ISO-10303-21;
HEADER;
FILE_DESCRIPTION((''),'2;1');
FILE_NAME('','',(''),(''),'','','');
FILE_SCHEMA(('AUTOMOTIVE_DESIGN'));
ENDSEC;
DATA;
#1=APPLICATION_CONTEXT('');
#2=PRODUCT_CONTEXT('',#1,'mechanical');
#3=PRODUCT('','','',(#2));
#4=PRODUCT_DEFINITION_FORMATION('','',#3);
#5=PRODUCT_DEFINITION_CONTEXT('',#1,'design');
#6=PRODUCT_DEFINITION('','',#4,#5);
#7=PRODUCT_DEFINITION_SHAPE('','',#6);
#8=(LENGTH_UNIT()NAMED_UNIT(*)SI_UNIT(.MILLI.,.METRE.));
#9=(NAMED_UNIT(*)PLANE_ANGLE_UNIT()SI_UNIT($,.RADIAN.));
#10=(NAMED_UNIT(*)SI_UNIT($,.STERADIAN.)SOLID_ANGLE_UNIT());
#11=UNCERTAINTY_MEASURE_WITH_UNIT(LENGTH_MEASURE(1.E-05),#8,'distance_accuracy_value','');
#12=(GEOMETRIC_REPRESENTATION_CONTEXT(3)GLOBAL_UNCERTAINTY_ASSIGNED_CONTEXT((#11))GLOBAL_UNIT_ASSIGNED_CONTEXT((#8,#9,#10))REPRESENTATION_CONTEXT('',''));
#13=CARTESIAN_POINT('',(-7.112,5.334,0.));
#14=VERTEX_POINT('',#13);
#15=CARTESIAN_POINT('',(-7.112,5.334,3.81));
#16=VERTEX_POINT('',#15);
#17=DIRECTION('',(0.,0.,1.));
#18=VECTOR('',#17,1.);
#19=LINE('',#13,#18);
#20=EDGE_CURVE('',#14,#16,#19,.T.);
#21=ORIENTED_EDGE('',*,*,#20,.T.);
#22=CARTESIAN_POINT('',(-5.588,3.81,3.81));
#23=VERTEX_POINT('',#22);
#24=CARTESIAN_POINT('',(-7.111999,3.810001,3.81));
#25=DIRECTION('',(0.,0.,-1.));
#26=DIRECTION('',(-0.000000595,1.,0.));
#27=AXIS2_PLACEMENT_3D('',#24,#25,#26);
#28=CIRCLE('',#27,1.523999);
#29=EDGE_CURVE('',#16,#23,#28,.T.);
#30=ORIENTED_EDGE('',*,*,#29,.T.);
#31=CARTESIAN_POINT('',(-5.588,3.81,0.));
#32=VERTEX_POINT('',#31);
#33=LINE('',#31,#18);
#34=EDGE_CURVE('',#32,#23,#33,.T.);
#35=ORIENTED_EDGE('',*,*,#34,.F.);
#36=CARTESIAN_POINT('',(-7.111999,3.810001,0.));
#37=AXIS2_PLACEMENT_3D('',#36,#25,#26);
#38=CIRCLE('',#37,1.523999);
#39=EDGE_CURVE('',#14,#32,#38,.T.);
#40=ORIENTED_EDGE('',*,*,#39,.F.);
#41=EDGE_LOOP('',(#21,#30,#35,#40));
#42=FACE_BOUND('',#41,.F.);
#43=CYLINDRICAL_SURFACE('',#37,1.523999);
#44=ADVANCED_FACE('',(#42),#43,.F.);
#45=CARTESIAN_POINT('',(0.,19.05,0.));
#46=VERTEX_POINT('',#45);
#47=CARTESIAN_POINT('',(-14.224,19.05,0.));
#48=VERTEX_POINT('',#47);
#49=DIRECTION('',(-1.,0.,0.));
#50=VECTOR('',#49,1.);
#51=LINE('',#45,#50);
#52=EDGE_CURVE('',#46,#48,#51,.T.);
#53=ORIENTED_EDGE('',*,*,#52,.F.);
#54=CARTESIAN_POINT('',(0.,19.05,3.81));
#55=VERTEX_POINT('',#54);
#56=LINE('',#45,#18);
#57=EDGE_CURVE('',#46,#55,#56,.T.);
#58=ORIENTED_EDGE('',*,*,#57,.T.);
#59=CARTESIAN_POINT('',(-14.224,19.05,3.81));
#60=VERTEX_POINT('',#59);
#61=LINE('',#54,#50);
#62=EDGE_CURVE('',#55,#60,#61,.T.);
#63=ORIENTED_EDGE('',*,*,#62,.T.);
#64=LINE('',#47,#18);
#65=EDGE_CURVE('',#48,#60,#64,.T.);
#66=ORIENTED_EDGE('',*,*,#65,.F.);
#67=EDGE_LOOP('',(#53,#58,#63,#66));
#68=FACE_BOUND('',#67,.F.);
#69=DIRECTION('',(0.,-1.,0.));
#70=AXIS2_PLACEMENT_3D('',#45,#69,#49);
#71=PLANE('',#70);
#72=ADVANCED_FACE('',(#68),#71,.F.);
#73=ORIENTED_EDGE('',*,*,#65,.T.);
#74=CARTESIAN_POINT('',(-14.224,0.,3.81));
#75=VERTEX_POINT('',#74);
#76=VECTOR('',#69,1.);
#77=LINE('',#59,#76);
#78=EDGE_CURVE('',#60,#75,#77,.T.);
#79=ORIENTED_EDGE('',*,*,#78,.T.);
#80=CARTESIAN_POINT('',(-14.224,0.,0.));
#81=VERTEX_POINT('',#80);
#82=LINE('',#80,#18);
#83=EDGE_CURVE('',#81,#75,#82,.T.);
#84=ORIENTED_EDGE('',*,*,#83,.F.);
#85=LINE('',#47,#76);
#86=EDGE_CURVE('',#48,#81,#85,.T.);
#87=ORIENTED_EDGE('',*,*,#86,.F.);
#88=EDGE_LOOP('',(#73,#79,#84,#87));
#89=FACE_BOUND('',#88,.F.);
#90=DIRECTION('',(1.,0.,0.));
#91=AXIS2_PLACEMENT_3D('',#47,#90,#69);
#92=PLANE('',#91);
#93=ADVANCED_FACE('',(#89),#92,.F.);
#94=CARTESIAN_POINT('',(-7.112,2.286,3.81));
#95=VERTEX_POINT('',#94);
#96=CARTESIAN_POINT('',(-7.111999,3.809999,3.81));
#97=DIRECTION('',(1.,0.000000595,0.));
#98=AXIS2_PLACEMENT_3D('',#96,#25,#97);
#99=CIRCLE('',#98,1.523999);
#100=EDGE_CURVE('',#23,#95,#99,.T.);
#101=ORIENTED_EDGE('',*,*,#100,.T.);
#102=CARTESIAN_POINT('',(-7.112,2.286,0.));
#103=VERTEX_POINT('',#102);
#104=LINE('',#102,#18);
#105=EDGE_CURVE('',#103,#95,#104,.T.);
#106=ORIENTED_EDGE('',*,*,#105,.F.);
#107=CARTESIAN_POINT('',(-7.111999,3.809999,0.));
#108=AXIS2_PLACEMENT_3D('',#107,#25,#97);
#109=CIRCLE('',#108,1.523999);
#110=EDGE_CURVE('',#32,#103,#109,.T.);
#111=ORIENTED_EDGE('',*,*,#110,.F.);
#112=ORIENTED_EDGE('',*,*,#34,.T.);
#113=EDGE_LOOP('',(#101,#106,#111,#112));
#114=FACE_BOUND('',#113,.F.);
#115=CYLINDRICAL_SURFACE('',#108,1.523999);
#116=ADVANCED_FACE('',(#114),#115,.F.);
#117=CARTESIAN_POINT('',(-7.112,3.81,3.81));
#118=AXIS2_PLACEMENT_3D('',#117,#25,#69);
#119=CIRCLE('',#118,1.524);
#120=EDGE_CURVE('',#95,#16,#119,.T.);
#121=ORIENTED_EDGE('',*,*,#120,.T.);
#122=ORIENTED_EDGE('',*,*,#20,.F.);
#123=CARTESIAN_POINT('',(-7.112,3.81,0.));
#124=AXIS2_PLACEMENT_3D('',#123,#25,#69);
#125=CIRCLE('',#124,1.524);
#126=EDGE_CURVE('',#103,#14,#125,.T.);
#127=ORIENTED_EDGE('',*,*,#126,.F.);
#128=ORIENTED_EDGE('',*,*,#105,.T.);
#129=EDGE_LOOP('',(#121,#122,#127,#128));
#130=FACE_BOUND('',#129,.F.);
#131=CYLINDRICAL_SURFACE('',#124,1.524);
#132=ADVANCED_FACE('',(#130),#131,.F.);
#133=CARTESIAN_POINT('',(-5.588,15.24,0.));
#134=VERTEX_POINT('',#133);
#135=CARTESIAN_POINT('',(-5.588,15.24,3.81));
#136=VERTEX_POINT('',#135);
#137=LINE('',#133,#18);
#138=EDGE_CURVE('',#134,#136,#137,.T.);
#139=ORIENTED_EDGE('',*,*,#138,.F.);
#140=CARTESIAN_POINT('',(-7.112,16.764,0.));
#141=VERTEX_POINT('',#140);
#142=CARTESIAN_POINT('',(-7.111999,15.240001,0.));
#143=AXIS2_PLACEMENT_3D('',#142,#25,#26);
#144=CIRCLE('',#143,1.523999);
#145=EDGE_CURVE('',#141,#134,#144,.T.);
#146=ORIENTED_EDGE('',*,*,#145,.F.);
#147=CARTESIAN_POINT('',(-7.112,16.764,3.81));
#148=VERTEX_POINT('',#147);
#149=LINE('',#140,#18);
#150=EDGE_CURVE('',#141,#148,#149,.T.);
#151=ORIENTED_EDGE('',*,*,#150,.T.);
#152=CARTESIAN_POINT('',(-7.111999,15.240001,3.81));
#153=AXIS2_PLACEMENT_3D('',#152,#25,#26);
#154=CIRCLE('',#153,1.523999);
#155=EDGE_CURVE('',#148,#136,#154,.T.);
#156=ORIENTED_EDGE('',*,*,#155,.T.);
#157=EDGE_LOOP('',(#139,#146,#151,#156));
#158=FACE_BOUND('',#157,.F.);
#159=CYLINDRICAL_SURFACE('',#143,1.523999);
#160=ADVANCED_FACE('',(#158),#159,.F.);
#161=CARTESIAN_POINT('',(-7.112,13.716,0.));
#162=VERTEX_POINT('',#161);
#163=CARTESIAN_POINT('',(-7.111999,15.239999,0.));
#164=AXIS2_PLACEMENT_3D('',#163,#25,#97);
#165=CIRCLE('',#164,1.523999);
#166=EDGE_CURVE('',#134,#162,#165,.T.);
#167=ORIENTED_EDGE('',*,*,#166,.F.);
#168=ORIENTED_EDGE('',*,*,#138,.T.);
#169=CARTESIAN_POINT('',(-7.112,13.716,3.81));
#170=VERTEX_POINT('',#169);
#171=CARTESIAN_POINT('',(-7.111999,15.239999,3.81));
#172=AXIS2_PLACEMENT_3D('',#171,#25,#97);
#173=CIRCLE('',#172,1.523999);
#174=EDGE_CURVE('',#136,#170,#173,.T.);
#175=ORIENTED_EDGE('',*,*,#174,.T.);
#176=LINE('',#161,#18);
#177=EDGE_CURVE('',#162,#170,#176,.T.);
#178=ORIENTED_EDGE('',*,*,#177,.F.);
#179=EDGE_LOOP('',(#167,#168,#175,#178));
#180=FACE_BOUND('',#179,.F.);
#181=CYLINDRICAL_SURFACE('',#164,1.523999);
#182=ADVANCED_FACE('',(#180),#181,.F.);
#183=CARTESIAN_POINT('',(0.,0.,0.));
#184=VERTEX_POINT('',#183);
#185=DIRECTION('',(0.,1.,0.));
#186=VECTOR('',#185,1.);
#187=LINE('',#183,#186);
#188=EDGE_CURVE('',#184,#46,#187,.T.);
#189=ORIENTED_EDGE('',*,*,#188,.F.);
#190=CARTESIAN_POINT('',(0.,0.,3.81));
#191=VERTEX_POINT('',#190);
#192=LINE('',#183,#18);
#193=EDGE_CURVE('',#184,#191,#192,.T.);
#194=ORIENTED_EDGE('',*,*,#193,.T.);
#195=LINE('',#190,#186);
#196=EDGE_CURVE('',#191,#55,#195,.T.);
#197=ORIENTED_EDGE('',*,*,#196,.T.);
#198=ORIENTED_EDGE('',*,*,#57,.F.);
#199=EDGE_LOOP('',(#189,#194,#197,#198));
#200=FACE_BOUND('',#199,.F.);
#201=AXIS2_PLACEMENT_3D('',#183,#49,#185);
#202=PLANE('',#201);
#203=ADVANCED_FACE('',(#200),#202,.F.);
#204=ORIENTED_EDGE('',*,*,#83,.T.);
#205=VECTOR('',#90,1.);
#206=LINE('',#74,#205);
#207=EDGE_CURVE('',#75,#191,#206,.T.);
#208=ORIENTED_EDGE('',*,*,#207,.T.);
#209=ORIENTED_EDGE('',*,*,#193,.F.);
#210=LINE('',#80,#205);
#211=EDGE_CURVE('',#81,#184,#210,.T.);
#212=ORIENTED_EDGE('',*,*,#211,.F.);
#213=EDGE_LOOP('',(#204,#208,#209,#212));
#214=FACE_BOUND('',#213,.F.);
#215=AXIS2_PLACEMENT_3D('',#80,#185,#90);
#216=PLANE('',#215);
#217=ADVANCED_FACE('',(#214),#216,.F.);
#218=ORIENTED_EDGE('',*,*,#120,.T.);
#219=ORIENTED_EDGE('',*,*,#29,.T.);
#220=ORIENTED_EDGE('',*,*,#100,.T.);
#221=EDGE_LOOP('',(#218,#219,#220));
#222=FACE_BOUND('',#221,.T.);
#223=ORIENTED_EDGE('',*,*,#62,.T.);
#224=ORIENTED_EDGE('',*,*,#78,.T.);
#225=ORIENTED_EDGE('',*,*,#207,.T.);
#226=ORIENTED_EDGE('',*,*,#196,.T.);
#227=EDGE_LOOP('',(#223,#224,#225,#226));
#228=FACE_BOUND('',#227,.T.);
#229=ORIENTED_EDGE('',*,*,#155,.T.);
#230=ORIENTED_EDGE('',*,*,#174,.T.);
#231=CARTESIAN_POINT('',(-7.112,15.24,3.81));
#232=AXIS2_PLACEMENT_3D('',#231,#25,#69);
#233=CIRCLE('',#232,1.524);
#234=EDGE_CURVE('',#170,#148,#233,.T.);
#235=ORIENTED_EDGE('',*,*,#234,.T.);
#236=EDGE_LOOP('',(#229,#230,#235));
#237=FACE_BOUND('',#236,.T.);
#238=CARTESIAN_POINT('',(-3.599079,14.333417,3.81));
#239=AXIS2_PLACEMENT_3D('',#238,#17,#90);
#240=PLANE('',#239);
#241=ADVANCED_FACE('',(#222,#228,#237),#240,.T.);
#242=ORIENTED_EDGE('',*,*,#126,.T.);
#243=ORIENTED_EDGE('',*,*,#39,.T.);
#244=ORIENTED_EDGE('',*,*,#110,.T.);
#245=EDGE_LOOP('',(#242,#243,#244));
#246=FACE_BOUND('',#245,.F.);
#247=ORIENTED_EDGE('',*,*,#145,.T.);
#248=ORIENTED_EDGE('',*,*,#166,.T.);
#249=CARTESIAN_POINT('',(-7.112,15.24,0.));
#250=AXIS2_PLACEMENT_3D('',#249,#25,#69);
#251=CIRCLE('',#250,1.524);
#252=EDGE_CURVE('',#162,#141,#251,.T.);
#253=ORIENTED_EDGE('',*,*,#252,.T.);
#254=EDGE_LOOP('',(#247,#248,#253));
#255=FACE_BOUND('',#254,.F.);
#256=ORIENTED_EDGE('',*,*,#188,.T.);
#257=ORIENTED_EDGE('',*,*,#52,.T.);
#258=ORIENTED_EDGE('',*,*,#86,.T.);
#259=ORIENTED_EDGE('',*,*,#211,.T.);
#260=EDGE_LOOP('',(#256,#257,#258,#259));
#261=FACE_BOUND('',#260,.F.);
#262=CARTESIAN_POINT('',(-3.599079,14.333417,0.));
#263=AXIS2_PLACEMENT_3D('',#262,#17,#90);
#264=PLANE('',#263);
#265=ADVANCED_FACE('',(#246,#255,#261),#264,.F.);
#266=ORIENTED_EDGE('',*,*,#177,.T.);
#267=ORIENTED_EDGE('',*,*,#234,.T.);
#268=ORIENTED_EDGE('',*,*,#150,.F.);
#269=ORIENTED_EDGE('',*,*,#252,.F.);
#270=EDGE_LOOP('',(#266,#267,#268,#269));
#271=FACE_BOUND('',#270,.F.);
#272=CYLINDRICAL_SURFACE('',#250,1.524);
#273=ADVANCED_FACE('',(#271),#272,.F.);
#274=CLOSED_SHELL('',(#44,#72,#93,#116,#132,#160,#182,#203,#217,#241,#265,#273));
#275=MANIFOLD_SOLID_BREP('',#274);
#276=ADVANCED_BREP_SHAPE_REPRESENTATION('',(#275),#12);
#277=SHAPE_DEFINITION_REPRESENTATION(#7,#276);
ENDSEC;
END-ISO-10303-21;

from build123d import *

# Parameters (mm, degrees)
F1_DEPTH = 3.81


with BuildPart() as f1:
    # F0 (on Top) → F1 (new body)
    with BuildSketch(Plane.XY):
        with BuildLine():
            Line((-7.112, 9.525), (0, 9.525))
            Line((0, 9.525), (0, 19.05))
            Line((0, 19.05), (-7.112, 19.05))
            Line((-7.112, 19.05), (-7.112, 16.764))
            ThreePointArc((-7.112, 16.764), (-6.034369, 16.317631), (-5.588, 15.24))
            ThreePointArc((-5.588, 15.24), (-6.034369, 14.162369), (-7.112, 13.716))
            Line((-7.112, 13.716), (-7.112, 9.525))
        make_face()
        with BuildLine():
            Line((-14.224, 0), (-7.112, 0))
            Line((-7.112, 0), (-7.112, 2.286))
            ThreePointArc((-7.112, 2.286), (-8.636, 3.81), (-7.112, 5.334))
            Line((-7.112, 5.334), (-7.112, 9.525))
            Line((-7.112, 9.525), (-7.112, 13.716))
            ThreePointArc((-7.112, 13.716), (-8.636, 15.24), (-7.112, 16.764))
            Line((-7.112, 16.764), (-7.112, 19.05))
            Line((-7.112, 19.05), (-14.224, 19.05))
            Line((-14.224, 19.05), (-14.224, 0))
        make_face()
        with BuildLine():
            Line((-7.112, 0), (0, 0))
            Line((0, 0), (0, 9.525))
            Line((0, 9.525), (-7.112, 9.525))
            Line((-7.112, 9.525), (-7.112, 5.334))
            ThreePointArc((-7.112, 5.334), (-6.034369, 4.887631), (-5.588, 3.81))
            ThreePointArc((-5.588, 3.81), (-6.034369, 2.732369), (-7.112, 2.286))
            Line((-7.112, 2.286), (-7.112, 0))
        make_face()
    extrude(amount=F1_DEPTH)


solid = f1.part
